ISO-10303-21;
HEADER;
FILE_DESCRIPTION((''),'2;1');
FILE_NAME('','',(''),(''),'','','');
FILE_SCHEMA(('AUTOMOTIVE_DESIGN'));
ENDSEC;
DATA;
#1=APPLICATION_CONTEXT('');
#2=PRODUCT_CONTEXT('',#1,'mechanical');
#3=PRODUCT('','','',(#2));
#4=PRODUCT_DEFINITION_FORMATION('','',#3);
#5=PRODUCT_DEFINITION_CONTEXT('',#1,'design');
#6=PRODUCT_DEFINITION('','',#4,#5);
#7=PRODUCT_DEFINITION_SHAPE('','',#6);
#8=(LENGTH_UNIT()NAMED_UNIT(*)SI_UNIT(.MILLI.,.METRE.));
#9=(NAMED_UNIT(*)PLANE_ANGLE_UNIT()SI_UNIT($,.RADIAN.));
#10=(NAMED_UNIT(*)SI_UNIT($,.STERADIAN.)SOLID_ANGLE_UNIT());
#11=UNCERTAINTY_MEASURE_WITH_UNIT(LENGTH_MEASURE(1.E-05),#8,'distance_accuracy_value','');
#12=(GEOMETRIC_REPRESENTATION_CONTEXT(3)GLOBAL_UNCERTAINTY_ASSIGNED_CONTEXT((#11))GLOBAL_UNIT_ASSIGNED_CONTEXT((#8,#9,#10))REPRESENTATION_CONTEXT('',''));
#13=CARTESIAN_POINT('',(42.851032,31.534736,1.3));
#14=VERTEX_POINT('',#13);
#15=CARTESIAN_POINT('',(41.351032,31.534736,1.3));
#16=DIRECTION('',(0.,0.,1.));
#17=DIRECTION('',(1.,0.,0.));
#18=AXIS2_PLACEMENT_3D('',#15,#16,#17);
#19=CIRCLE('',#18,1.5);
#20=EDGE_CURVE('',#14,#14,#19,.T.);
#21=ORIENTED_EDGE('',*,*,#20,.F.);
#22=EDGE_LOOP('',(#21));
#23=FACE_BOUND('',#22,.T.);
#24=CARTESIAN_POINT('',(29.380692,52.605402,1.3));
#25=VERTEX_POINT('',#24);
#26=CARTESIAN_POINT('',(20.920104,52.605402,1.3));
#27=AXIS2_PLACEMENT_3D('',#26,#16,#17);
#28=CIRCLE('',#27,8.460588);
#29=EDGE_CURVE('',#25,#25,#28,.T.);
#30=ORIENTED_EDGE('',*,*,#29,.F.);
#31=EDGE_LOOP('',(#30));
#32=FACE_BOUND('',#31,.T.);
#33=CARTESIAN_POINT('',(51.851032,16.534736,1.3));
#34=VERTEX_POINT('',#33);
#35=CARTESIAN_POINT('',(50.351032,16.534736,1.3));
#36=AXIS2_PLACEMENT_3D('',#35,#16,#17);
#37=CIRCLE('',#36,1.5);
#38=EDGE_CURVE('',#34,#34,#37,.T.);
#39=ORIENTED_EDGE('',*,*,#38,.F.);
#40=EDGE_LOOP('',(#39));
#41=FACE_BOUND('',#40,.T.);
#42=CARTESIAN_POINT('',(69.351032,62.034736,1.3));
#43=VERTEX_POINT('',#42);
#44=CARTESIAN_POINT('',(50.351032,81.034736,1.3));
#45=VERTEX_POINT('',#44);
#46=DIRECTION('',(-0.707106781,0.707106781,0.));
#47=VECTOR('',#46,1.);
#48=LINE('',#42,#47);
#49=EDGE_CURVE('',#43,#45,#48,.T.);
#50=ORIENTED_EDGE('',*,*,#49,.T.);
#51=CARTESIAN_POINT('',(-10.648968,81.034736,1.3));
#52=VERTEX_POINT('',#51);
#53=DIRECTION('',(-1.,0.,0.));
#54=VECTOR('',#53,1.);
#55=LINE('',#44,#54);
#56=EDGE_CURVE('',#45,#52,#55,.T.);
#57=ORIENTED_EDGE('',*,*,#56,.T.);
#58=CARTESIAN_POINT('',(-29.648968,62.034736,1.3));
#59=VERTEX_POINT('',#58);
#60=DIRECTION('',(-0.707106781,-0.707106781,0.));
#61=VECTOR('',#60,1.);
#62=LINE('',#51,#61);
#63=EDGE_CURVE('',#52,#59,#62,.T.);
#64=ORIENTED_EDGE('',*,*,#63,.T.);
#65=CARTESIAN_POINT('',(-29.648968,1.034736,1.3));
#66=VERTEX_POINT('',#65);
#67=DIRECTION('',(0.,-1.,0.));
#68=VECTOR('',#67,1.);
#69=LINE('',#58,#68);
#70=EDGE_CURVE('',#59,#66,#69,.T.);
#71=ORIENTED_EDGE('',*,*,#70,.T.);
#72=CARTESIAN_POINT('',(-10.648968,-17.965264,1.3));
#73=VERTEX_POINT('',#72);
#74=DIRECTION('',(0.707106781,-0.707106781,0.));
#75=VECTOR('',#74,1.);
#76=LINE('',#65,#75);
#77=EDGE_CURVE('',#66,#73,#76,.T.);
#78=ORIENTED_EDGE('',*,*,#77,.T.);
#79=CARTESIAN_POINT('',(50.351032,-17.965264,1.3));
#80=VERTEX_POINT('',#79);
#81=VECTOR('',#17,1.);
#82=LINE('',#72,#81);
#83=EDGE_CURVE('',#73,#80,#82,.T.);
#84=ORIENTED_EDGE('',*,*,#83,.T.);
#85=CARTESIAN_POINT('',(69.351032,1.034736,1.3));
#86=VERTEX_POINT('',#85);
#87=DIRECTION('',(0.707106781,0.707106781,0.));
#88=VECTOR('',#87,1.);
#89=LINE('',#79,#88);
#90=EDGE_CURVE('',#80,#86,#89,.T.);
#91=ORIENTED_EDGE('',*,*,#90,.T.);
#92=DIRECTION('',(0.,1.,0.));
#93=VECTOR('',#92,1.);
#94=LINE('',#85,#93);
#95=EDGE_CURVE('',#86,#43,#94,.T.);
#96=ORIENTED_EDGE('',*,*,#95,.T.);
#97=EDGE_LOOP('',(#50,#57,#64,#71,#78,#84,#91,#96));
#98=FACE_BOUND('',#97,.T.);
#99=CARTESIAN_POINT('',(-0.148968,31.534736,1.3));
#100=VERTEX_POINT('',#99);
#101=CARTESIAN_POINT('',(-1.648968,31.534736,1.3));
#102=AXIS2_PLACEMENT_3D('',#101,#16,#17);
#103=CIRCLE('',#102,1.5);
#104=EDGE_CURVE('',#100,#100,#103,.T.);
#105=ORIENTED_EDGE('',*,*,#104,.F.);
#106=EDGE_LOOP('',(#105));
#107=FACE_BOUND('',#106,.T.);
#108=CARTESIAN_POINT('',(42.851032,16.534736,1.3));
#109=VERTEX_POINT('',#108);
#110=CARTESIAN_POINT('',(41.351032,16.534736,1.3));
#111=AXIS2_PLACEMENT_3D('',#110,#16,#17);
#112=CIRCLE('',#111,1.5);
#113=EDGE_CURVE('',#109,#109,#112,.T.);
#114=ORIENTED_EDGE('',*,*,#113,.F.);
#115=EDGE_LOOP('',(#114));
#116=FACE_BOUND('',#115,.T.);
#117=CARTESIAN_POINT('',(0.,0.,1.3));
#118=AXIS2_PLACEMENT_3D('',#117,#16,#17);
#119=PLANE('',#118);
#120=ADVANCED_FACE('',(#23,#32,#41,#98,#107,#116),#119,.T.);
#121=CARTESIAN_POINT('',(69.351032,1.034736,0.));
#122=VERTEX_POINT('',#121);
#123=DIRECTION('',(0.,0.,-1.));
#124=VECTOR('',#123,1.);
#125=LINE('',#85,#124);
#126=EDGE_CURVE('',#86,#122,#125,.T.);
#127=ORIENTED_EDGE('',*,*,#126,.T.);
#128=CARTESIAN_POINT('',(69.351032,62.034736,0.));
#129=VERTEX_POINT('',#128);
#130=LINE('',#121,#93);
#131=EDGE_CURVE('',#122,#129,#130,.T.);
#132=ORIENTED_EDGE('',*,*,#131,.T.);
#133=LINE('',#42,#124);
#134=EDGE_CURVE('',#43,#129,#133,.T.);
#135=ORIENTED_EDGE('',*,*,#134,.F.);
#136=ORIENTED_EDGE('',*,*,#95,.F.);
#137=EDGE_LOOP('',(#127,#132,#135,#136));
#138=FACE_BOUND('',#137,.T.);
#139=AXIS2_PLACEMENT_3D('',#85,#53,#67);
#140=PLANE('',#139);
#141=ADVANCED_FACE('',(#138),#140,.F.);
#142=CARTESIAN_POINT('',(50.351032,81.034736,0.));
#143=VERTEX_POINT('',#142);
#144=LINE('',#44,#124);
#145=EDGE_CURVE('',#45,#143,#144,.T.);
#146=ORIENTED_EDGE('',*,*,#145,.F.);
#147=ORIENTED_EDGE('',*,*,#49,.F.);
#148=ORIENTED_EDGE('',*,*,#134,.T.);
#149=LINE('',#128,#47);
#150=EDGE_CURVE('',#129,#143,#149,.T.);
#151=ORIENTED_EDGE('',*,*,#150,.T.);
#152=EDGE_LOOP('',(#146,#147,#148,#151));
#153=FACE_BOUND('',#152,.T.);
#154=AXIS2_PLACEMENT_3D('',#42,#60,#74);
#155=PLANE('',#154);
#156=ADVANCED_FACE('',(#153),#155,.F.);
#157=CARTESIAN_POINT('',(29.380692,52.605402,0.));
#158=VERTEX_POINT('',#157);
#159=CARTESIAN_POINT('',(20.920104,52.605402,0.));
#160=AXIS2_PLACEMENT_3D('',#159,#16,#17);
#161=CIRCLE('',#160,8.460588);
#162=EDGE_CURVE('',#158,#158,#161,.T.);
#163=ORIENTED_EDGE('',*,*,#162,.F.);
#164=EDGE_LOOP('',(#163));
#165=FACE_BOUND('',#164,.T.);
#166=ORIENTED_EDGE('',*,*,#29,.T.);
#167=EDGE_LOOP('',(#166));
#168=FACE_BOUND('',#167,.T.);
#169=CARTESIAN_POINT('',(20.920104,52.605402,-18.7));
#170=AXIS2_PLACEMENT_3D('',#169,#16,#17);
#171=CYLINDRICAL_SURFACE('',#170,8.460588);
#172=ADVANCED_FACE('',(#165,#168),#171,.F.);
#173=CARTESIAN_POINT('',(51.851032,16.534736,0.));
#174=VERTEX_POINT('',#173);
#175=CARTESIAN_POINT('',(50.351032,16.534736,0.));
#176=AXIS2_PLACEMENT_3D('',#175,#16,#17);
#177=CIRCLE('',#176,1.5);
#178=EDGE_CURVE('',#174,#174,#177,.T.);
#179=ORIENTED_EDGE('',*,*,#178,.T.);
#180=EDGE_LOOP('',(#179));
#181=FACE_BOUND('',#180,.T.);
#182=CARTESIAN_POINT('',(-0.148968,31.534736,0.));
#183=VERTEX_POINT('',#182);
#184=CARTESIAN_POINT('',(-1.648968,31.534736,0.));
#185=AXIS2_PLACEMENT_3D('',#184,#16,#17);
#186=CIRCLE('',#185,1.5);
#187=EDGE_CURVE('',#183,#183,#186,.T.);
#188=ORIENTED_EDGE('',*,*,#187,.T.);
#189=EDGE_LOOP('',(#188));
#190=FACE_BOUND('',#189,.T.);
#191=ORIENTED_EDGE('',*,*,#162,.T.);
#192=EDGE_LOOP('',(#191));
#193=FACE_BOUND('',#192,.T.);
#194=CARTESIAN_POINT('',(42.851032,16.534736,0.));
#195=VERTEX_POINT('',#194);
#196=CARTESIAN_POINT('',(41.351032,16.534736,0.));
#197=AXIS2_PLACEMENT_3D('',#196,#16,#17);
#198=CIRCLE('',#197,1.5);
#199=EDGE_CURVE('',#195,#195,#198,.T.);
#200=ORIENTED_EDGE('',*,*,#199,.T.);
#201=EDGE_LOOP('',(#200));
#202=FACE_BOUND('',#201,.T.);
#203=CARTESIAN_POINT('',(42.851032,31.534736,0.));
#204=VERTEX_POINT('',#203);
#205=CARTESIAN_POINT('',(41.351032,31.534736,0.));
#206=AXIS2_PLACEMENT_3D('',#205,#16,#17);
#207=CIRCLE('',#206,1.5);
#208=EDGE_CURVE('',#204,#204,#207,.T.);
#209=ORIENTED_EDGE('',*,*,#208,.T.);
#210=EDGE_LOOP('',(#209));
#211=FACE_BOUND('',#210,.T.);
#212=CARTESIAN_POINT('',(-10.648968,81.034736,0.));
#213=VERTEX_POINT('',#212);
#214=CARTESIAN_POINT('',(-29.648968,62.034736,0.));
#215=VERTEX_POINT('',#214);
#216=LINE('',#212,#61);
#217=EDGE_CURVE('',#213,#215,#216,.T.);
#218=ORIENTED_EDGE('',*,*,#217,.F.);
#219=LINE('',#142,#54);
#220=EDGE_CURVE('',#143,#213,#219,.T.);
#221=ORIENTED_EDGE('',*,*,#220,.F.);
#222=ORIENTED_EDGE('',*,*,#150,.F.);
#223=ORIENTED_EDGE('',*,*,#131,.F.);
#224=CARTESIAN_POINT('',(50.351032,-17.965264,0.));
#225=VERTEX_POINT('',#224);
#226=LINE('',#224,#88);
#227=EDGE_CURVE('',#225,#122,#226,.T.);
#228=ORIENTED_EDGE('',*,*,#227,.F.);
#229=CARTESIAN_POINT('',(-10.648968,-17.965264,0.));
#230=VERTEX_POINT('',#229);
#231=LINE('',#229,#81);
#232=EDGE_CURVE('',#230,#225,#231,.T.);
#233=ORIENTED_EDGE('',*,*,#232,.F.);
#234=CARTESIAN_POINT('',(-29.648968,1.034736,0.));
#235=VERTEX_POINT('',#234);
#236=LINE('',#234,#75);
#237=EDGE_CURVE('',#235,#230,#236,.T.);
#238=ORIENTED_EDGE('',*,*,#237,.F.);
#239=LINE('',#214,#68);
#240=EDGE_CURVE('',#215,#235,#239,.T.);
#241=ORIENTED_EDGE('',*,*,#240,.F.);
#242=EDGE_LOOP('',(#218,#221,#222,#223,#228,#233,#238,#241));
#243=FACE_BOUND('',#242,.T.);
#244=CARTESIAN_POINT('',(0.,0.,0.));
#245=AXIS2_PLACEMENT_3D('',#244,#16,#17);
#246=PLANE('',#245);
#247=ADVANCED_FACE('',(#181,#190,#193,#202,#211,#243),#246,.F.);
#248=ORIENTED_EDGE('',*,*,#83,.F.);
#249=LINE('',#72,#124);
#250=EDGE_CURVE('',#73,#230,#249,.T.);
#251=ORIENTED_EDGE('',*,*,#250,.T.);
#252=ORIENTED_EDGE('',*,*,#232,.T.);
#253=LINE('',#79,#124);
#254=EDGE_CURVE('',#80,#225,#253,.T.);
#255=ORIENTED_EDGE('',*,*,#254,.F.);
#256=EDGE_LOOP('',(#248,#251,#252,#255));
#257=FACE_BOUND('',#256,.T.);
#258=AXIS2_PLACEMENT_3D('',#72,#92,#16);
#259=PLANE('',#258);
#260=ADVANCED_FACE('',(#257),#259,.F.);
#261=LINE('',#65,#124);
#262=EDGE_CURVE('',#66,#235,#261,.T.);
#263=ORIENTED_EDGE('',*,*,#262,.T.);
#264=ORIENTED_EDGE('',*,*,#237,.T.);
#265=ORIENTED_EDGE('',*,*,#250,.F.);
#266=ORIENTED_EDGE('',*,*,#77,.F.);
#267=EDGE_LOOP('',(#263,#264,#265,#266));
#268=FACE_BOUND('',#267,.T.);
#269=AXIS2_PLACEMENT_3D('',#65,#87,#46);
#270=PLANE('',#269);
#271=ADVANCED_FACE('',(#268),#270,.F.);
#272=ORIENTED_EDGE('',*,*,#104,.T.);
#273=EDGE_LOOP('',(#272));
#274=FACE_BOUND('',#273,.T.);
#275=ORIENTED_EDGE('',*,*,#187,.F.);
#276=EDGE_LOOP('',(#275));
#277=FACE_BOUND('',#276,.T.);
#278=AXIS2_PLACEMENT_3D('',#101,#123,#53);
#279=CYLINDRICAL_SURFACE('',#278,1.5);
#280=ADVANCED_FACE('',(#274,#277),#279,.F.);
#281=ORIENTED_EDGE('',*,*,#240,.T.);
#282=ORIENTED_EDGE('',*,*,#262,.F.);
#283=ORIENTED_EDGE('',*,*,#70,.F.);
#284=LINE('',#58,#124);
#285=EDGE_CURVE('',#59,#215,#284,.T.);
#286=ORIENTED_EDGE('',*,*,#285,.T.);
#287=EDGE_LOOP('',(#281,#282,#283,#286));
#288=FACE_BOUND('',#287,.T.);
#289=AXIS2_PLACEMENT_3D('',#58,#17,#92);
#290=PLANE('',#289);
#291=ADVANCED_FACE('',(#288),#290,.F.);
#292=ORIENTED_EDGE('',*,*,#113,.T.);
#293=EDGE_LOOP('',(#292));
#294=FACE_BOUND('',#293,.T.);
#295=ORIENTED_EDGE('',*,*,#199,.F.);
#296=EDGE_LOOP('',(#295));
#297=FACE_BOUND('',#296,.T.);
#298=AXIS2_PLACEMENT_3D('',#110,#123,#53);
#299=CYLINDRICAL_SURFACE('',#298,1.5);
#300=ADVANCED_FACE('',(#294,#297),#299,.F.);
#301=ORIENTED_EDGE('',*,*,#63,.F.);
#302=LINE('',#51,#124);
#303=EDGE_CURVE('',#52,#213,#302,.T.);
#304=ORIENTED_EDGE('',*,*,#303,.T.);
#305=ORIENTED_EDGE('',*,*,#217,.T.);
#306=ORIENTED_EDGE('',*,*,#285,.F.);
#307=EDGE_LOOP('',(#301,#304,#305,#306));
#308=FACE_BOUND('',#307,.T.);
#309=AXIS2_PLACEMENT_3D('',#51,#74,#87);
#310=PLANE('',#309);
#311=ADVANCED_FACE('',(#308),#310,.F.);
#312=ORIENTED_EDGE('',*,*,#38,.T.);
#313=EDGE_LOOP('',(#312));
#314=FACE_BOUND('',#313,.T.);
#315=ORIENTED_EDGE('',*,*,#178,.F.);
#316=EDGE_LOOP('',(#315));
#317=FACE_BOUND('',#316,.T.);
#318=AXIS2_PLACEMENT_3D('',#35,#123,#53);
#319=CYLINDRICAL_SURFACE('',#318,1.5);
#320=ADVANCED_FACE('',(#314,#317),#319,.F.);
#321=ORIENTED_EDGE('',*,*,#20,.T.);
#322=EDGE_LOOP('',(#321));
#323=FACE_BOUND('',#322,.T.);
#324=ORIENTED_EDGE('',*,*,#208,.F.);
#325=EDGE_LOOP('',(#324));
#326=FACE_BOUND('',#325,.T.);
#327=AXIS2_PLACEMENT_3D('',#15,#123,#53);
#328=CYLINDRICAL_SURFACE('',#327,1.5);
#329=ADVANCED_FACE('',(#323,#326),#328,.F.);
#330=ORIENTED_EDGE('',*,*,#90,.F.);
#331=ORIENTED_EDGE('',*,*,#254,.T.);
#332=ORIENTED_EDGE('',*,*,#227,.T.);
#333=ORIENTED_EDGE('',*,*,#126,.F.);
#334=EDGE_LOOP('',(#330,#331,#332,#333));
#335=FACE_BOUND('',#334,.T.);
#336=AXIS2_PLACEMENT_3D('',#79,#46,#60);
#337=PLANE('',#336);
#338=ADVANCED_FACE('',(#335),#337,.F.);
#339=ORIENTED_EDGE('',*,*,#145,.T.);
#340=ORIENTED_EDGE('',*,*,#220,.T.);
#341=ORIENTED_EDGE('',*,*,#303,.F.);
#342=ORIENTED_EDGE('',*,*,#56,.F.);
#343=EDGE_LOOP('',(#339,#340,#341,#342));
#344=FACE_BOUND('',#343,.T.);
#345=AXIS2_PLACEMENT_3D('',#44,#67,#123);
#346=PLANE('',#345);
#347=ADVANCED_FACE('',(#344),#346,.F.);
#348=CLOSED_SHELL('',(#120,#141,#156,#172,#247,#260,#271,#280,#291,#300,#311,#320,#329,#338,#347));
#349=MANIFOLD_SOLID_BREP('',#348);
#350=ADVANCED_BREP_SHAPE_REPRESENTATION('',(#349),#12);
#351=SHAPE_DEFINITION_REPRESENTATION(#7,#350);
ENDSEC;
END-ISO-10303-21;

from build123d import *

# Parameters (mm, degrees)
SKETCH1_R           = 1.5
BOSS_EXTRUDE1_DEPTH = 1.3
SKETCH3_R           = 8.460587883
CUT_EXTRUDE1_DEPTH  = 20


with BuildPart() as part:
    # Sketch1 → Boss-Extrude1 (new body)
    with BuildSketch(Plane.XY):
        Polygon((-29.648967954, 62.034735519), (-29.648967954, 1.034735519), (-10.648967954, -17.965264481), (50.351032046, -17.965264481), (69.351032046, 1.034735519), (69.351032046, 62.034735519), (50.351032046, 81.034735519), (-10.648967954, 81.034735519), align=None)
        with Locations((-1.648967954, 31.534735519)):
            Circle(SKETCH1_R, mode=Mode.SUBTRACT)
        with Locations((41.351032046, 31.534735519)):
            Circle(SKETCH1_R, mode=Mode.SUBTRACT)
        with Locations((41.351032046, 16.534735519)):
            Circle(SKETCH1_R, mode=Mode.SUBTRACT)
        with Locations((50.351032046, 16.534735519)):
            Circle(SKETCH1_R, mode=Mode.SUBTRACT)
    extrude(amount=BOSS_EXTRUDE1_DEPTH)

    # Sketch3 → Cut-Extrude1 (cut)
    with BuildSketch(Plane.XY.offset(1.3)):
        with Locations((20.92010377, 52.605401567)):
            Circle(SKETCH3_R)
    extrude(amount=-CUT_EXTRUDE1_DEPTH, mode=Mode.SUBTRACT)


solid = part.part
